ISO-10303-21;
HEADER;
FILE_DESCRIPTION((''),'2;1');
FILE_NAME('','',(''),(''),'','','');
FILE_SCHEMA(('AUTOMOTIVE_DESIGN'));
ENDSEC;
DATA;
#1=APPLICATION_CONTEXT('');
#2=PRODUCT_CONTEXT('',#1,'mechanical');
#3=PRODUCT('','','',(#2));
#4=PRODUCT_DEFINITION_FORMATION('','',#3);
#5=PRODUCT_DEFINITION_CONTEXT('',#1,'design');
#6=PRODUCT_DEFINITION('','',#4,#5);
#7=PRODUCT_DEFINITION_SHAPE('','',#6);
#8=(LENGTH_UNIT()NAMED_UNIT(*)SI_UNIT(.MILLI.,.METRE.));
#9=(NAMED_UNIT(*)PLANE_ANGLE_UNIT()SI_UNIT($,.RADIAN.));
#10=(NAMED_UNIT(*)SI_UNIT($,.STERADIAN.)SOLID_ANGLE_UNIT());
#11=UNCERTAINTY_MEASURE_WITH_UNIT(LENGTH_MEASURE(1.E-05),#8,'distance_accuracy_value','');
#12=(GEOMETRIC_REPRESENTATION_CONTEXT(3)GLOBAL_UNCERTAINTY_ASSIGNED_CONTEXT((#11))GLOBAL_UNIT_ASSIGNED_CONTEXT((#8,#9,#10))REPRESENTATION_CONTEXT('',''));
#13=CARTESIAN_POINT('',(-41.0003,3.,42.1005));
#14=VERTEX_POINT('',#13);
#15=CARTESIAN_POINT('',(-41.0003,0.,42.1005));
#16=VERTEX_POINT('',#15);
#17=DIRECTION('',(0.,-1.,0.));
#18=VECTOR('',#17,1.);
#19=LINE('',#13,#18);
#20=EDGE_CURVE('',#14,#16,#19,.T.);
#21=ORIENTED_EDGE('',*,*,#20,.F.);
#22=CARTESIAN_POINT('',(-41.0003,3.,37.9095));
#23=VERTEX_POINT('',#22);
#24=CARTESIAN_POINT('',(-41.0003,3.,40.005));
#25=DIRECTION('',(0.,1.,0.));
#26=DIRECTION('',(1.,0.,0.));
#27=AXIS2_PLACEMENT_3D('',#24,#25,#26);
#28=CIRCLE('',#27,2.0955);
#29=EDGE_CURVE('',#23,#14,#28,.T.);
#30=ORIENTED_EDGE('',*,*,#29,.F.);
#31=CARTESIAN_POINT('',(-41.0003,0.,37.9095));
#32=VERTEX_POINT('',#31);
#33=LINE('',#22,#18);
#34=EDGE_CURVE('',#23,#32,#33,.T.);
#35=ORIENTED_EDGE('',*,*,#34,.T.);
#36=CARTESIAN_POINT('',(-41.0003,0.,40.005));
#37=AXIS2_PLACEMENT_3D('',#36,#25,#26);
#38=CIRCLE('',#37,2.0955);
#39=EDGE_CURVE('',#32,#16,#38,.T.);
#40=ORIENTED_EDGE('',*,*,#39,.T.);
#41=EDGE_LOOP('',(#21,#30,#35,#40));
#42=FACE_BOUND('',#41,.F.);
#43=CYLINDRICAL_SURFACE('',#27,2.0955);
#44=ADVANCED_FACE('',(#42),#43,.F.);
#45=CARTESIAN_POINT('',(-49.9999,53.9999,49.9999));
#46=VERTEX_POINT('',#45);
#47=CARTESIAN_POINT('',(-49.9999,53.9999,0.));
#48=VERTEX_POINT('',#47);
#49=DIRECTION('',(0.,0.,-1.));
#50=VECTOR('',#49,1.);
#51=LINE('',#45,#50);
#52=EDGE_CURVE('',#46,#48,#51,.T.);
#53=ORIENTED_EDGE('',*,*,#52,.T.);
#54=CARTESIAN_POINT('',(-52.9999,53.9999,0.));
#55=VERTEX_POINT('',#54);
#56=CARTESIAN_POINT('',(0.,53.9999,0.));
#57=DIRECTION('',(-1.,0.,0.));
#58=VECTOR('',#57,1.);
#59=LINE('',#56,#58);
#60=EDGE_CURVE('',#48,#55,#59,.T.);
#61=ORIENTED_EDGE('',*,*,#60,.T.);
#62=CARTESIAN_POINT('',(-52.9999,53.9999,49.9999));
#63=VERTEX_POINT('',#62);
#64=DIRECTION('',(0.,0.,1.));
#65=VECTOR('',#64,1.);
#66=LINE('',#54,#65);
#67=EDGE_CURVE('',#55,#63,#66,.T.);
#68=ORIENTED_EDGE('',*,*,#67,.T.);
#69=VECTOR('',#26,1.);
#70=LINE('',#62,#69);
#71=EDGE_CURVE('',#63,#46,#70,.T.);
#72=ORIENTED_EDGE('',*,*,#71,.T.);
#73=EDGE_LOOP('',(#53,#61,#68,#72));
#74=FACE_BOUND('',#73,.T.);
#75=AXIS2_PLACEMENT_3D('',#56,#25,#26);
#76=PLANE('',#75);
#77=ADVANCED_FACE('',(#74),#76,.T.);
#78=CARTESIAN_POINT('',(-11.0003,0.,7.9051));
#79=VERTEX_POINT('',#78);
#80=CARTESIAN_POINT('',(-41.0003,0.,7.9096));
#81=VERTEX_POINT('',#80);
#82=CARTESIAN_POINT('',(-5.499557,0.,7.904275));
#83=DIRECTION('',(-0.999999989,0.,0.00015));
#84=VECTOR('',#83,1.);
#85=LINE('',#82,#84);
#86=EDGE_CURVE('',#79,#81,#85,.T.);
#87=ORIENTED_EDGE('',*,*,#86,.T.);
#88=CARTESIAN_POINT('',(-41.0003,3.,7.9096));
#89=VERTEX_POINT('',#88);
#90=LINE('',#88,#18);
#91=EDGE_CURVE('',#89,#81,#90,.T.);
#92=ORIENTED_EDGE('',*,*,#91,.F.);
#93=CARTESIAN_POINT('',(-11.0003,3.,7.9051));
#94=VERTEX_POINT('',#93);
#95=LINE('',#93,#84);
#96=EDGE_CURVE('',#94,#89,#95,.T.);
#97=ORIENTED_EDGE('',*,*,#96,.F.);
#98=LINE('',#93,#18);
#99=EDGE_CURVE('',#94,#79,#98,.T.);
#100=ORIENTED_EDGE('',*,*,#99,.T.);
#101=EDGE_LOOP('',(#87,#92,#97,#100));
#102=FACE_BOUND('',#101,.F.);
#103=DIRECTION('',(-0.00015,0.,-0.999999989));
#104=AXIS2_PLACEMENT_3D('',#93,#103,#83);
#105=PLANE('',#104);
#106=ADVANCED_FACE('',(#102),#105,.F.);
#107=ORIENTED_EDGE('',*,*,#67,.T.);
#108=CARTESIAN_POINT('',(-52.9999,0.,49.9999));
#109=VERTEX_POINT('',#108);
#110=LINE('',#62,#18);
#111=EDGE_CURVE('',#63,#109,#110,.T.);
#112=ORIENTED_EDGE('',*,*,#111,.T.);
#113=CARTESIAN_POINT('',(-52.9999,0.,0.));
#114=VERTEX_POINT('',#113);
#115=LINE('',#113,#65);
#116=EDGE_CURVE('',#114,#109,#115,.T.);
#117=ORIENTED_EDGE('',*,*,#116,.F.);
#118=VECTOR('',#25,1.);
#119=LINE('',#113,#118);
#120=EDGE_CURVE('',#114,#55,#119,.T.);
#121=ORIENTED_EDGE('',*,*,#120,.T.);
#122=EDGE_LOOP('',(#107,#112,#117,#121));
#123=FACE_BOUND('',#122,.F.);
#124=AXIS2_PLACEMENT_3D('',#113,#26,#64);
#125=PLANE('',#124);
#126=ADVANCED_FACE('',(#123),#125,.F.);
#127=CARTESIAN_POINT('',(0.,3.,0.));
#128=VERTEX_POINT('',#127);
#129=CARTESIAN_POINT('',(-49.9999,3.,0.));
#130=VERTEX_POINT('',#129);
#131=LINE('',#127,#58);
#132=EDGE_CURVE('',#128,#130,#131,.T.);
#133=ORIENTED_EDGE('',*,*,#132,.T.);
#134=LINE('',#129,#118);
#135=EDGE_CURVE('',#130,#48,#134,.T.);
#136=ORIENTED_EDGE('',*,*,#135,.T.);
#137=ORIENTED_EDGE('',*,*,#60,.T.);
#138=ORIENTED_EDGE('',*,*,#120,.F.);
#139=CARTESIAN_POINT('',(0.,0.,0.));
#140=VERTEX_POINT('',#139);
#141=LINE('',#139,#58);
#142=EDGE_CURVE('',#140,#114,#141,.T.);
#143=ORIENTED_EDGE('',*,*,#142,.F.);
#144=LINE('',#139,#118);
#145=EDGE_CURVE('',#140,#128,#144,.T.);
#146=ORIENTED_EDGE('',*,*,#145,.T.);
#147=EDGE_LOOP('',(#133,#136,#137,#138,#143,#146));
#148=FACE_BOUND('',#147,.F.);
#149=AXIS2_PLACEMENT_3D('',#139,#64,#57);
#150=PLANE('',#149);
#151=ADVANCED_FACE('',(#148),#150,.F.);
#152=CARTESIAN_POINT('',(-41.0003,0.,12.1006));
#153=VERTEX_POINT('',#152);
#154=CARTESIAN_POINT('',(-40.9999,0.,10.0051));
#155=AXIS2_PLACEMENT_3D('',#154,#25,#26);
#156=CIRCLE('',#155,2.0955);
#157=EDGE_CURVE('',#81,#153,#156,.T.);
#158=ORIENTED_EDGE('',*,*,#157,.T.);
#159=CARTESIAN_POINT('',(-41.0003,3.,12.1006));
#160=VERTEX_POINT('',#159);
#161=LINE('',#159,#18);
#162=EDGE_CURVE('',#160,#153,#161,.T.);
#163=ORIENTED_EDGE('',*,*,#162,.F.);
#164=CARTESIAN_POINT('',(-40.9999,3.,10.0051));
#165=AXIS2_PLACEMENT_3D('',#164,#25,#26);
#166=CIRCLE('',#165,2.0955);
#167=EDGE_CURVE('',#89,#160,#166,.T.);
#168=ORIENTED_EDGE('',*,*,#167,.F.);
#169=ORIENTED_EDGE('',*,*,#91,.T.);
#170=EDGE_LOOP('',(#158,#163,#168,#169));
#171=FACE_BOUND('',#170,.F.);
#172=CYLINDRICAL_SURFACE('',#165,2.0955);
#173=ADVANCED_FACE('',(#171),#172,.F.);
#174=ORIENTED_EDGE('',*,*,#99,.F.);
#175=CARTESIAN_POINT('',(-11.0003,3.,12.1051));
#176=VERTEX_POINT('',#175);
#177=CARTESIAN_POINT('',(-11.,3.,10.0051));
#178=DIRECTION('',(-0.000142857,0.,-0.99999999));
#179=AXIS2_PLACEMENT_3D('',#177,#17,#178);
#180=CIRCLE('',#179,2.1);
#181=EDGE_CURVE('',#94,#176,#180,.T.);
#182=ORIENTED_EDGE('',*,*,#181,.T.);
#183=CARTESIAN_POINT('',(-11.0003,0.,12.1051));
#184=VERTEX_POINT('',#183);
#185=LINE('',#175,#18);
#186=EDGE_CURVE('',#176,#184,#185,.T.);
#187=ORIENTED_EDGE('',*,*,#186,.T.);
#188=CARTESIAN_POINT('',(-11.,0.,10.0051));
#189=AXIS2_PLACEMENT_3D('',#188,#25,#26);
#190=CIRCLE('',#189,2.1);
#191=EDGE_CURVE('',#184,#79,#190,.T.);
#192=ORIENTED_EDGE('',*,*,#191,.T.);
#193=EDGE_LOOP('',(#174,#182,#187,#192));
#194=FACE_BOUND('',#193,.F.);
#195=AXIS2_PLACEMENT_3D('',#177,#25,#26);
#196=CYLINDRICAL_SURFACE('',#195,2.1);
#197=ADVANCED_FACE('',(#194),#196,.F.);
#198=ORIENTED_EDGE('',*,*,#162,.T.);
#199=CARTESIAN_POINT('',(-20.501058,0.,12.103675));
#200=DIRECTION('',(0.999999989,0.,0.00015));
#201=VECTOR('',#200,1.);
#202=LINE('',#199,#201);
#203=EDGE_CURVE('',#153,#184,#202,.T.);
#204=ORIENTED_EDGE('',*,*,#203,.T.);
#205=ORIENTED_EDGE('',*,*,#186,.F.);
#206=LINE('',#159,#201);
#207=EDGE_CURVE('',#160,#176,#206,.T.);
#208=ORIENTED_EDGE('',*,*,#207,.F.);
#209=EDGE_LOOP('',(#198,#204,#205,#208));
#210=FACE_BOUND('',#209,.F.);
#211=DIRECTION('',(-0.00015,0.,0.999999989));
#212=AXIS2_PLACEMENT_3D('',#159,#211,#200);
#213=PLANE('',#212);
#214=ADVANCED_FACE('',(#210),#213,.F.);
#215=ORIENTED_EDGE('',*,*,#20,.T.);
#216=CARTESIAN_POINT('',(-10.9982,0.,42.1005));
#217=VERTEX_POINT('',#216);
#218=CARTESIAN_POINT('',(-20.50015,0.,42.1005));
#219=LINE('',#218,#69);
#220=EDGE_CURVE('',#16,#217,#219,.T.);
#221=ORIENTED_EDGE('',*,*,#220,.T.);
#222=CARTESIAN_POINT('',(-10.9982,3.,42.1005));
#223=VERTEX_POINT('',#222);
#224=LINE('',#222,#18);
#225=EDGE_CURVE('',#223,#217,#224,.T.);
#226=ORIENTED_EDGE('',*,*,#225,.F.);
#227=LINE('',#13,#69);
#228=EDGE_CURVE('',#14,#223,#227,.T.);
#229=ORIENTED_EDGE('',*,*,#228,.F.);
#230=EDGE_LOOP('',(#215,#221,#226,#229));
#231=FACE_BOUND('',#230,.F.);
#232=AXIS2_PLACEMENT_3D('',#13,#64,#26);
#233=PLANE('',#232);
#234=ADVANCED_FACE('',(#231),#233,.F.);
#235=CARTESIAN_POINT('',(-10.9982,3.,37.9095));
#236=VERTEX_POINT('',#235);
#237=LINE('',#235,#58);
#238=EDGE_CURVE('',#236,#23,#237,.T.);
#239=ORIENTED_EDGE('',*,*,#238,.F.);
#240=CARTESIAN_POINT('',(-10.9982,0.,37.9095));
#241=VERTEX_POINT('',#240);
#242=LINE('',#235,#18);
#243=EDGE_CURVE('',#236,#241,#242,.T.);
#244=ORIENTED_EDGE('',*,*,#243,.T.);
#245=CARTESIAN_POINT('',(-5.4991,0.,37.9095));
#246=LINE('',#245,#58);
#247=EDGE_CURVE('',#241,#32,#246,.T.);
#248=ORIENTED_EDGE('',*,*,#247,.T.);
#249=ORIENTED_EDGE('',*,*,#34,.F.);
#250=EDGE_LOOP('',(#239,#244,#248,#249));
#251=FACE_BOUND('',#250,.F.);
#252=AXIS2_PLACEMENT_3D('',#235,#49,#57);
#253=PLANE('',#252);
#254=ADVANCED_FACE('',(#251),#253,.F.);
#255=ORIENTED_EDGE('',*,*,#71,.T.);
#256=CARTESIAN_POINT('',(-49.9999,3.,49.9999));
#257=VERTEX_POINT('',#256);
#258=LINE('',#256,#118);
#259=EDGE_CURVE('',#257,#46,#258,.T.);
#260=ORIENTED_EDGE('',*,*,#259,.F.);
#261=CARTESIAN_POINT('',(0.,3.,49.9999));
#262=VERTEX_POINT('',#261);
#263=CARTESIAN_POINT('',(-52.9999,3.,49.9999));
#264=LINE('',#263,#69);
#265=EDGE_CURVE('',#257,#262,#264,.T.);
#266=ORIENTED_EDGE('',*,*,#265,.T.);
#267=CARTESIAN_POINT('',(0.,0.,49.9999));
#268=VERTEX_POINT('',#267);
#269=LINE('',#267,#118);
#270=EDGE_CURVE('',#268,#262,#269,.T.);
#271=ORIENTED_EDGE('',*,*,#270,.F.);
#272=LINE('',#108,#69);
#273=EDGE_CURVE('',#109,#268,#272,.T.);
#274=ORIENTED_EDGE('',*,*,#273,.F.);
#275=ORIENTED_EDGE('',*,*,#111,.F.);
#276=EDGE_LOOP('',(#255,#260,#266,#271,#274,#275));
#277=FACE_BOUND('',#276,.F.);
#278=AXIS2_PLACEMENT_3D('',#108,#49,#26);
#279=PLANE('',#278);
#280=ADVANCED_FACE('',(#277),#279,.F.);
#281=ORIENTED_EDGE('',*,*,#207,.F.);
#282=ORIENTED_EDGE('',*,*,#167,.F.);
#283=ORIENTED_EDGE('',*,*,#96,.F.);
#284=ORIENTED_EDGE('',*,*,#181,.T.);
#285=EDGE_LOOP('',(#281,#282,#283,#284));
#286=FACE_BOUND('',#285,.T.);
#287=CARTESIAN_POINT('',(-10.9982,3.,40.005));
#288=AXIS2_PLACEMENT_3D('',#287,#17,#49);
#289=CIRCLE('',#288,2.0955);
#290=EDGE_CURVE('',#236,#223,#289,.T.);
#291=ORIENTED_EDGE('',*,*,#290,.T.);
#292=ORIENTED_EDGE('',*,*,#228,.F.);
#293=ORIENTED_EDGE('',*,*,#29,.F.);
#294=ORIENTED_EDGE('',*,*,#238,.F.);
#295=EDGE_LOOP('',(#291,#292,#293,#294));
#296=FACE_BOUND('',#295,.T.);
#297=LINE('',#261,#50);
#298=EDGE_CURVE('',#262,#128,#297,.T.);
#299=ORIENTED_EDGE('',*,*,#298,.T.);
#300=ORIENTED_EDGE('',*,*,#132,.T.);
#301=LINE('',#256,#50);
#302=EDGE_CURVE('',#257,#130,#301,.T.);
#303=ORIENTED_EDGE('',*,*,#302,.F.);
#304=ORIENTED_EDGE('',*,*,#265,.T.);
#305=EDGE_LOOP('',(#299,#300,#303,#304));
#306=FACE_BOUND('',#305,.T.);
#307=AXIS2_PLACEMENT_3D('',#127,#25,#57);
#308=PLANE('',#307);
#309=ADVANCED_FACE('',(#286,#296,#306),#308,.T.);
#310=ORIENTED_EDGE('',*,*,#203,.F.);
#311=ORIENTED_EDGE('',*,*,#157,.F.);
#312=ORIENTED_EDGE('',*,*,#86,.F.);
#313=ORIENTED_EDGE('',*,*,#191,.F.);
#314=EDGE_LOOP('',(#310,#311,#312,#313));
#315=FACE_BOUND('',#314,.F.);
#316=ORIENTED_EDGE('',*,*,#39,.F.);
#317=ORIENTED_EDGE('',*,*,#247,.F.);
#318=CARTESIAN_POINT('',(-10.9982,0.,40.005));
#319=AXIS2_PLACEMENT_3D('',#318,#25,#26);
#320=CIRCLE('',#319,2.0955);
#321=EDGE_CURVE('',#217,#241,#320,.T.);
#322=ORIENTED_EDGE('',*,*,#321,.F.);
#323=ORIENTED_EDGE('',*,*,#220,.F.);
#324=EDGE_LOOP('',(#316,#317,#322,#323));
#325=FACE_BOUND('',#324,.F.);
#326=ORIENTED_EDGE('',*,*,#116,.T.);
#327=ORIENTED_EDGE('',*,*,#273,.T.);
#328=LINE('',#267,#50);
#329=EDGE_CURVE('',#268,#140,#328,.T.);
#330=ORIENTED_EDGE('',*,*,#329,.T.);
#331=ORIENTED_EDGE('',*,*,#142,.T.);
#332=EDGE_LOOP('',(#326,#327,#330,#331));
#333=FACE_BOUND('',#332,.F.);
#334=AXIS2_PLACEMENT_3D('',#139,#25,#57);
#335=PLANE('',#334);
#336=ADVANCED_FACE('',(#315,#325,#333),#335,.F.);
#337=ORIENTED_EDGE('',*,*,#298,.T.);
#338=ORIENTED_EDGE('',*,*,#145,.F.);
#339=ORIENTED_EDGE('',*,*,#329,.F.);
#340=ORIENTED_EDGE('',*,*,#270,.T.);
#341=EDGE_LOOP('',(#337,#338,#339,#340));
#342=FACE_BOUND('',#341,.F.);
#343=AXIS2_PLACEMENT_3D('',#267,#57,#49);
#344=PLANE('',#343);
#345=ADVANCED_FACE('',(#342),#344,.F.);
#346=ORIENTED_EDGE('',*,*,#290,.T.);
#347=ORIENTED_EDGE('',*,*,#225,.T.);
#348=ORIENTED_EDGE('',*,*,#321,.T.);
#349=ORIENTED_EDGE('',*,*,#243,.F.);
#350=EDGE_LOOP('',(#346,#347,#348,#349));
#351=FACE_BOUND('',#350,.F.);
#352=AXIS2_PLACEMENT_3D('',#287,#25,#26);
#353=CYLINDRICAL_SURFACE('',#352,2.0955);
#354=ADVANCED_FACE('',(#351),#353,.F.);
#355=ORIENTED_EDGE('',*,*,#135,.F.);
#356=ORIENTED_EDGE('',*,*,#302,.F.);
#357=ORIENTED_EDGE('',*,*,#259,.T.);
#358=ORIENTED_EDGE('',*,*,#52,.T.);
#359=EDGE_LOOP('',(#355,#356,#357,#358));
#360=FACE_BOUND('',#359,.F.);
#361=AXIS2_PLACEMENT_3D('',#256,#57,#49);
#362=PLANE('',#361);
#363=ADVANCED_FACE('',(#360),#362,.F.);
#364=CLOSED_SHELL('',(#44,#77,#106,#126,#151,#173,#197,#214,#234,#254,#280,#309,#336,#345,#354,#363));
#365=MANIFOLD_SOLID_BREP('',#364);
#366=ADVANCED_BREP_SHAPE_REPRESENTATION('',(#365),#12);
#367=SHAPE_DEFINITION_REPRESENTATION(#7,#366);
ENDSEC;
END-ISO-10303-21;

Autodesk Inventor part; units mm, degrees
ref_plane "YZ Plane" through (0, 0, 0) normal (1, 0, 0) x (0, 1, 0)
ref_plane "XZ Plane" through (0, 0, 0) normal (0, 1, 0) x (-1, 0, 0)
ref_plane "XY Plane" through (0, 0, 0) normal (0, 0, 1) x (1, 0, 0)
sketch "Sketch1" plane through (0, 0, 0) normal (0, 1, 0) x (-1, 0, 0)
  line L0 (0, 0) -> (52.9999, 0)
  line L1 (52.9999, 0) -> (52.9999, 49.9999)
  line L2 (52.9999, 49.9999) -> (0, 49.9999)
  line L3 (0, 49.9999) -> (0, 0)
  dimension "d0" = 52.9999
  dimension "d1" = 49.9999
extrude "Extrusion1" add sketch "Sketch1" along normal blind 3
sketch "Sketch2" plane through (0, 3, 0) normal (0, 1, 0) x (1, 0, 0)
  line L0 (-52.9999, 0) -> (-52.9999, -49.9999) projected
  line L1 (0, 0) -> (-52.9999, 0) projected
  line L2 (-52.9999, -49.9999) -> (-49.9999, -49.9999)
  line L3 (-49.9999, -49.9999) -> (-49.9999, 0)
  line L4 (-49.9999, 0) -> (-52.9999, 0)
  line L5 (-52.9999, 0) -> (-52.9999, -49.9999)
  dimension "d4" = 3
extrude "Extrusion2" add sketch "Sketch2" along normal blind 50.9999
sketch "Sketch3" plane through (0, 3, 0) normal (0, 1, 0) x (1, 0, 0)
  line L0 (0, -49.9999) -> (0, 0) projected
  line L1 (0, -10.0051) -> (-11, -10.0051)
  circle A0 centre (-11, -10.0051) radius 2.1
  line L2 (-11, -10.0051) -> (-40.9999, -10.0051)
  circle A1 centre (-40.9999, -10.0051) radius 2.0955
  line L3 (-41.0003, -12.1006) -> (-11.0003, -12.1051)
  line L4 (-11.0003, -7.9051) -> (-41.0003, -7.9096)
  line L5 (0, -40.005) -> (-10.9982, -40.005)
  circle A2 centre (-10.9982, -40.005) radius 2.0955
  circle A3 centre (-41.0003, -40.005) radius 2.0955
  line L6 (-41.0003, -42.1005) -> (-10.9982, -42.1005)
  line L7 (-10.9982, -37.9095) -> (-41.0003, -37.9095)
  line L8 (-49.9999, -49.9999) -> (0, -49.9999) projected
  line L9 (0, 0) -> (-49.9999, 0) projected
  dimension "d7" = 11
  dimension "d8" = 4.2
  dimension "d9" = 29.9999
  dimension "d10" = 4.191
  dimension "d11" = 10.9982
  dimension "d12" = 4.191
  dimension "d13" = 4.191
  dimension "d14" = 29.9999
  dimension "d15" = 9.9949
  dimension "d16" = 10.0051
extrude "Extrusion3" cut sketch "Sketch3" against normal blind 12.5001
properties part number "Nema 3 Mounting"
